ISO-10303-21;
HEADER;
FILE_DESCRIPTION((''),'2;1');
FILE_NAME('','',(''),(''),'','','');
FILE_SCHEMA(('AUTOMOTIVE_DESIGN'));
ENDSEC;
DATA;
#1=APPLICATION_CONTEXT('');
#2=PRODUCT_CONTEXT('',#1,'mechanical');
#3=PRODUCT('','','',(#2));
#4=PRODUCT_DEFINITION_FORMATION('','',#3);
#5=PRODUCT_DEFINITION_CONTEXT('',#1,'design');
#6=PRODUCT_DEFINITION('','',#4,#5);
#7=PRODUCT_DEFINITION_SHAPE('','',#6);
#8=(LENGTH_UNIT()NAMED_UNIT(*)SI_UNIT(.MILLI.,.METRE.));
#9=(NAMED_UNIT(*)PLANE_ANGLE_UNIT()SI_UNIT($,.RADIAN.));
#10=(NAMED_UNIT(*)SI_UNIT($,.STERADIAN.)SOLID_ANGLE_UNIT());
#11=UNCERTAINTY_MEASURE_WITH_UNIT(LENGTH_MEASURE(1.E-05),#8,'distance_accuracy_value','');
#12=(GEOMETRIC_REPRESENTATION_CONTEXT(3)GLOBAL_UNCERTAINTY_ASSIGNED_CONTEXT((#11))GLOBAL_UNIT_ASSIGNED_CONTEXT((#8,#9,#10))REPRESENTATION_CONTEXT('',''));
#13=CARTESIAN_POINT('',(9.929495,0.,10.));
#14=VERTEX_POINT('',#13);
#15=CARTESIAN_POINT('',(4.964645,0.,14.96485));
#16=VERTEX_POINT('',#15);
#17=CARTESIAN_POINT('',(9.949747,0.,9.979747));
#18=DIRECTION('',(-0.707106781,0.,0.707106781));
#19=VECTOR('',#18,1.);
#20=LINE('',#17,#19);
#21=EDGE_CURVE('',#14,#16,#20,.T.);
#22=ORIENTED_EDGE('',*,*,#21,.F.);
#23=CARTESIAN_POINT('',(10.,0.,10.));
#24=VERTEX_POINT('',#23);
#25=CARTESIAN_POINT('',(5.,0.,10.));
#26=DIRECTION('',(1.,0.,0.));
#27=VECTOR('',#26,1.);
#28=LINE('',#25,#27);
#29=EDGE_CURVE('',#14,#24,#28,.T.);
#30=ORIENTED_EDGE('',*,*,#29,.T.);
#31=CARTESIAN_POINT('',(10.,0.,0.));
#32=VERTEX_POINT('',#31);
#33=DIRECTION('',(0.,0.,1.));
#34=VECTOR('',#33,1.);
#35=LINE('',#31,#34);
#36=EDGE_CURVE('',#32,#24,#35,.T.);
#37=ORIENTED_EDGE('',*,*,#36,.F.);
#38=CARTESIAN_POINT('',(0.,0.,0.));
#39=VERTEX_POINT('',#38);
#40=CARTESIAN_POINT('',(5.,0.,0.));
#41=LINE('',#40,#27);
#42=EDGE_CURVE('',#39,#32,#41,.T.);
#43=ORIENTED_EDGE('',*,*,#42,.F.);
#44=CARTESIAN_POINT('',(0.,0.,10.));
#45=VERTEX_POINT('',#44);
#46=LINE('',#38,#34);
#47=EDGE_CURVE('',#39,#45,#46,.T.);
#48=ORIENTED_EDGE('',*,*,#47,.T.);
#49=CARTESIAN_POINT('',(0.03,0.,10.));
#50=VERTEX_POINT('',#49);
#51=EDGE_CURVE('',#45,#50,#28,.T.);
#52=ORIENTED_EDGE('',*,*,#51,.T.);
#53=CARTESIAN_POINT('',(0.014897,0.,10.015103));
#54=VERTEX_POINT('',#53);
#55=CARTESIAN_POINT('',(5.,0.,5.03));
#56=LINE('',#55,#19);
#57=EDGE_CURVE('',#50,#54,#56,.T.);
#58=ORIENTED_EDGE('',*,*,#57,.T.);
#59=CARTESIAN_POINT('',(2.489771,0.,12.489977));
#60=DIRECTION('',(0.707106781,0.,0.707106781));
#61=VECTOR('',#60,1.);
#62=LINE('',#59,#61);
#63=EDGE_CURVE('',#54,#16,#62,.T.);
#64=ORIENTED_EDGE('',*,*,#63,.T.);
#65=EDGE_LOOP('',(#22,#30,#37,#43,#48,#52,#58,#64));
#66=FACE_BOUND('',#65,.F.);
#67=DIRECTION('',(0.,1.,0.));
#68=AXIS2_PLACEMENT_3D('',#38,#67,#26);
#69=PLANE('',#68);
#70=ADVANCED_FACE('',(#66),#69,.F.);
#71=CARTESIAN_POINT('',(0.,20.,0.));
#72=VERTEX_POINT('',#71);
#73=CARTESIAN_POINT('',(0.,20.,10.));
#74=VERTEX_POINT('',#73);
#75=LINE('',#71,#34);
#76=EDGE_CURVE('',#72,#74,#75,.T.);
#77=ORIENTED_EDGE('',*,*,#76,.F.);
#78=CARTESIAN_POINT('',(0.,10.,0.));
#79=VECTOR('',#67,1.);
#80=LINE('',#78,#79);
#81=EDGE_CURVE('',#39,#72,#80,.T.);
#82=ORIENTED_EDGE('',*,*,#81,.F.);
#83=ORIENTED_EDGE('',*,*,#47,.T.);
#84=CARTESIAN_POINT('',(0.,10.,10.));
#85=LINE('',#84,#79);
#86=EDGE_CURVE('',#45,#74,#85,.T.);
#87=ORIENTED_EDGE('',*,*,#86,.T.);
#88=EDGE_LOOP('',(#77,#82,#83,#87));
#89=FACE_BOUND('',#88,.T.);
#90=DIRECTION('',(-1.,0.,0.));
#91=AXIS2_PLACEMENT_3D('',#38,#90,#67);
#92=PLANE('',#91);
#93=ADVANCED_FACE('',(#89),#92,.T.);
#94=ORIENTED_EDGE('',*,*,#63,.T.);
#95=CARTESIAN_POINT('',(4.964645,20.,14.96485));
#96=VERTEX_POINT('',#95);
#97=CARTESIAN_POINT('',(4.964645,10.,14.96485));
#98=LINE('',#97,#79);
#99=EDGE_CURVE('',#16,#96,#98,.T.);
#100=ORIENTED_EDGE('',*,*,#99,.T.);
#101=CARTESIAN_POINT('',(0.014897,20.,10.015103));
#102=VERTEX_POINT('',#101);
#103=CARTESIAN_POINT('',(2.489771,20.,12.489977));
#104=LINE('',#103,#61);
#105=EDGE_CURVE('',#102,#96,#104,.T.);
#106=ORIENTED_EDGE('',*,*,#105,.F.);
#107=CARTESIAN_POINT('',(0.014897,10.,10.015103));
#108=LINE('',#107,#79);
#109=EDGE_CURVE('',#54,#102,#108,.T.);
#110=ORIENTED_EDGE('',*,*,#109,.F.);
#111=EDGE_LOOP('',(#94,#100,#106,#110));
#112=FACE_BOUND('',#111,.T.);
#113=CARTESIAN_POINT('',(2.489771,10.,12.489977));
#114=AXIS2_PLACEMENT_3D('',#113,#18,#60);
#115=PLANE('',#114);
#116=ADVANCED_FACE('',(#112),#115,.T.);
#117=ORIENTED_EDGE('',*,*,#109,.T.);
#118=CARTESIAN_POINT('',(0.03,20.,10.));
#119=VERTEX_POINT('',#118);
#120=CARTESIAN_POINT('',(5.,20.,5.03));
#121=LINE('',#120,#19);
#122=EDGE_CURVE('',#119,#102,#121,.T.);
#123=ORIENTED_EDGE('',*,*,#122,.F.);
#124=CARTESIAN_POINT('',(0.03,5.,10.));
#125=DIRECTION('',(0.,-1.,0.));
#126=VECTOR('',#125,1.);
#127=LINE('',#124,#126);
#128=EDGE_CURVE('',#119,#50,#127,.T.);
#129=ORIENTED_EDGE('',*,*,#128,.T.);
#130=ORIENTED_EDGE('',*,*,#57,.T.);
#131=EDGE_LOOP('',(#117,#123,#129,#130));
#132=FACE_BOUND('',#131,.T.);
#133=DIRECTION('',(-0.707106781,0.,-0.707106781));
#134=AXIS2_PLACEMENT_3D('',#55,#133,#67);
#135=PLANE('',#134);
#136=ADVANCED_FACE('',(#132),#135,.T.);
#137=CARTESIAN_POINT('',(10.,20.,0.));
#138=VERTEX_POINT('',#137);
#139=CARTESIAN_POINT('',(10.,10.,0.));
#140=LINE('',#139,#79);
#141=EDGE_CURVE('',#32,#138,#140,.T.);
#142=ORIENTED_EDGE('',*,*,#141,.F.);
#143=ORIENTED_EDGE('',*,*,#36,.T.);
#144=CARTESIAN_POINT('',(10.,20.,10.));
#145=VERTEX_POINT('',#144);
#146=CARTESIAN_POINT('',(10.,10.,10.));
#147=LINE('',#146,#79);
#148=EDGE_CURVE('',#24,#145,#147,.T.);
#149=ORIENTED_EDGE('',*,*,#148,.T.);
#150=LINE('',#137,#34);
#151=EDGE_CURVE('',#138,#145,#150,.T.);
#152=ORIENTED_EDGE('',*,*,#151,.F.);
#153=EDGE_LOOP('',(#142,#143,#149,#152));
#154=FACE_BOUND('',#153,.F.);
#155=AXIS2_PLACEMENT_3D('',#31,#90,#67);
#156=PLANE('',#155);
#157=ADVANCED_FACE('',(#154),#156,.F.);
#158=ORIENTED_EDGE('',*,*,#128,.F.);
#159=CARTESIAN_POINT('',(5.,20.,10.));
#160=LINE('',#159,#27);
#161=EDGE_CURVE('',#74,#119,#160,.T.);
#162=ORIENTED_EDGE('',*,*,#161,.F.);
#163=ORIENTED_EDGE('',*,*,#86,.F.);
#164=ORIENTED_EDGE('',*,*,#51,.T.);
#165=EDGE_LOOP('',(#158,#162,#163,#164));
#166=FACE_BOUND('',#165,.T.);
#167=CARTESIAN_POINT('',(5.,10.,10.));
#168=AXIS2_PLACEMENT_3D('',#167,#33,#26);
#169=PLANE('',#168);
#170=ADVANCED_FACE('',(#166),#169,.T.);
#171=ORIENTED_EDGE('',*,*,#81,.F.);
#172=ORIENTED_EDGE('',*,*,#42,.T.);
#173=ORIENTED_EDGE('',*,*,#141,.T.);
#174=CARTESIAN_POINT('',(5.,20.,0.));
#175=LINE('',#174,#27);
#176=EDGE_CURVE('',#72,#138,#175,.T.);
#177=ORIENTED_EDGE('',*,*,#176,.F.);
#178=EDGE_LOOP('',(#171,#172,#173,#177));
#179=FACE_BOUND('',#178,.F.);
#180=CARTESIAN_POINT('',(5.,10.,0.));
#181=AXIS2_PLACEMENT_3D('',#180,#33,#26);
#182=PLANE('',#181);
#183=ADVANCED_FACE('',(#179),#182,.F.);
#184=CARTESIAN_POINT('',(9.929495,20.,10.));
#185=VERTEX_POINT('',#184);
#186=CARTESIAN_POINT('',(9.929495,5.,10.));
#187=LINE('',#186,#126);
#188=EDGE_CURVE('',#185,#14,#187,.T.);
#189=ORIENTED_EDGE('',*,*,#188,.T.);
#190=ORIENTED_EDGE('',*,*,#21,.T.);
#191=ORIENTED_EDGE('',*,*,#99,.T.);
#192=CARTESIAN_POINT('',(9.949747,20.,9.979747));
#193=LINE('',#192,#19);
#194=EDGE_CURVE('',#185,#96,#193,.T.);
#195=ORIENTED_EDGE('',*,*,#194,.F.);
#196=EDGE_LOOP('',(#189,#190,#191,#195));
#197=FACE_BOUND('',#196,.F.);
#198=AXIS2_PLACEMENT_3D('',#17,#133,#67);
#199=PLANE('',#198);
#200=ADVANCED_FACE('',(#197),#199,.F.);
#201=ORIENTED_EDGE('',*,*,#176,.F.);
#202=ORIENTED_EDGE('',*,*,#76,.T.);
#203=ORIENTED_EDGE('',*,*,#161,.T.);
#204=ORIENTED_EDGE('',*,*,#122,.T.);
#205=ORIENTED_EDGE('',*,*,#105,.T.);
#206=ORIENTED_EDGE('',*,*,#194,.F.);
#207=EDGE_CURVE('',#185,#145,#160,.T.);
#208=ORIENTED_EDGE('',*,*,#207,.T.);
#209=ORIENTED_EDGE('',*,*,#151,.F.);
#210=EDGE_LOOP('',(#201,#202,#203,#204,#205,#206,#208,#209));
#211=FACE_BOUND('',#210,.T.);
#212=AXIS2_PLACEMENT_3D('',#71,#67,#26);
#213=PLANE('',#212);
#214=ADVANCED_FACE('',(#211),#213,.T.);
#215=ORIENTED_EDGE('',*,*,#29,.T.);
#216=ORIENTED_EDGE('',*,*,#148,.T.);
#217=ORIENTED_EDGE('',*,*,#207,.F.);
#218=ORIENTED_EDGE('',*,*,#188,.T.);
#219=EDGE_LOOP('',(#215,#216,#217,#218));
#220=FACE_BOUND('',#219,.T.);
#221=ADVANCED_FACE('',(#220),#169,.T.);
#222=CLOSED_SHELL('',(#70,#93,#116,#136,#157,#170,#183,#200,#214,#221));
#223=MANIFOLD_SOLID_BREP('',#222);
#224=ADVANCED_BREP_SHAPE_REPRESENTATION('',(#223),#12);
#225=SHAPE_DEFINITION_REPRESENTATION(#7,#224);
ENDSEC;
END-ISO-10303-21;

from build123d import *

# Parameters (mm, degrees)
BOX001_W               = 7
BOX001_H               = 20
BOX001_DEPTH           = 7.05
BOX001_PLACEMENT_ANGLE = 45
BOX_W                  = 10
BOX_H                  = 20
BOX_DEPTH              = 10


with BuildPart() as cub001:
    # Box001 → Box001 (new body)
    with BuildSketch(Plane.XY):
        with Locations((3.5, 10)):
            Rectangle(BOX001_W, BOX001_H)
    extrude(amount=BOX001_DEPTH)


with BuildPart() as cub001_1:
    # Box001 placement: moved
    add(cub001.part.moved(Location((5, 0, 5.03))).rotate(Axis((5, 0, 5.03), (0, -1, 0)), BOX001_PLACEMENT_ANGLE))


with BuildPart() as fusion:
    # Box → Box (new body)
    with BuildSketch(Plane.XY):
        with Locations((5, 10)):
            Rectangle(BOX_W, BOX_H)
    extrude(amount=BOX_DEPTH)

    # Fusion: union Cub001
    add(cub001_1.part)


solid = fusion.part
